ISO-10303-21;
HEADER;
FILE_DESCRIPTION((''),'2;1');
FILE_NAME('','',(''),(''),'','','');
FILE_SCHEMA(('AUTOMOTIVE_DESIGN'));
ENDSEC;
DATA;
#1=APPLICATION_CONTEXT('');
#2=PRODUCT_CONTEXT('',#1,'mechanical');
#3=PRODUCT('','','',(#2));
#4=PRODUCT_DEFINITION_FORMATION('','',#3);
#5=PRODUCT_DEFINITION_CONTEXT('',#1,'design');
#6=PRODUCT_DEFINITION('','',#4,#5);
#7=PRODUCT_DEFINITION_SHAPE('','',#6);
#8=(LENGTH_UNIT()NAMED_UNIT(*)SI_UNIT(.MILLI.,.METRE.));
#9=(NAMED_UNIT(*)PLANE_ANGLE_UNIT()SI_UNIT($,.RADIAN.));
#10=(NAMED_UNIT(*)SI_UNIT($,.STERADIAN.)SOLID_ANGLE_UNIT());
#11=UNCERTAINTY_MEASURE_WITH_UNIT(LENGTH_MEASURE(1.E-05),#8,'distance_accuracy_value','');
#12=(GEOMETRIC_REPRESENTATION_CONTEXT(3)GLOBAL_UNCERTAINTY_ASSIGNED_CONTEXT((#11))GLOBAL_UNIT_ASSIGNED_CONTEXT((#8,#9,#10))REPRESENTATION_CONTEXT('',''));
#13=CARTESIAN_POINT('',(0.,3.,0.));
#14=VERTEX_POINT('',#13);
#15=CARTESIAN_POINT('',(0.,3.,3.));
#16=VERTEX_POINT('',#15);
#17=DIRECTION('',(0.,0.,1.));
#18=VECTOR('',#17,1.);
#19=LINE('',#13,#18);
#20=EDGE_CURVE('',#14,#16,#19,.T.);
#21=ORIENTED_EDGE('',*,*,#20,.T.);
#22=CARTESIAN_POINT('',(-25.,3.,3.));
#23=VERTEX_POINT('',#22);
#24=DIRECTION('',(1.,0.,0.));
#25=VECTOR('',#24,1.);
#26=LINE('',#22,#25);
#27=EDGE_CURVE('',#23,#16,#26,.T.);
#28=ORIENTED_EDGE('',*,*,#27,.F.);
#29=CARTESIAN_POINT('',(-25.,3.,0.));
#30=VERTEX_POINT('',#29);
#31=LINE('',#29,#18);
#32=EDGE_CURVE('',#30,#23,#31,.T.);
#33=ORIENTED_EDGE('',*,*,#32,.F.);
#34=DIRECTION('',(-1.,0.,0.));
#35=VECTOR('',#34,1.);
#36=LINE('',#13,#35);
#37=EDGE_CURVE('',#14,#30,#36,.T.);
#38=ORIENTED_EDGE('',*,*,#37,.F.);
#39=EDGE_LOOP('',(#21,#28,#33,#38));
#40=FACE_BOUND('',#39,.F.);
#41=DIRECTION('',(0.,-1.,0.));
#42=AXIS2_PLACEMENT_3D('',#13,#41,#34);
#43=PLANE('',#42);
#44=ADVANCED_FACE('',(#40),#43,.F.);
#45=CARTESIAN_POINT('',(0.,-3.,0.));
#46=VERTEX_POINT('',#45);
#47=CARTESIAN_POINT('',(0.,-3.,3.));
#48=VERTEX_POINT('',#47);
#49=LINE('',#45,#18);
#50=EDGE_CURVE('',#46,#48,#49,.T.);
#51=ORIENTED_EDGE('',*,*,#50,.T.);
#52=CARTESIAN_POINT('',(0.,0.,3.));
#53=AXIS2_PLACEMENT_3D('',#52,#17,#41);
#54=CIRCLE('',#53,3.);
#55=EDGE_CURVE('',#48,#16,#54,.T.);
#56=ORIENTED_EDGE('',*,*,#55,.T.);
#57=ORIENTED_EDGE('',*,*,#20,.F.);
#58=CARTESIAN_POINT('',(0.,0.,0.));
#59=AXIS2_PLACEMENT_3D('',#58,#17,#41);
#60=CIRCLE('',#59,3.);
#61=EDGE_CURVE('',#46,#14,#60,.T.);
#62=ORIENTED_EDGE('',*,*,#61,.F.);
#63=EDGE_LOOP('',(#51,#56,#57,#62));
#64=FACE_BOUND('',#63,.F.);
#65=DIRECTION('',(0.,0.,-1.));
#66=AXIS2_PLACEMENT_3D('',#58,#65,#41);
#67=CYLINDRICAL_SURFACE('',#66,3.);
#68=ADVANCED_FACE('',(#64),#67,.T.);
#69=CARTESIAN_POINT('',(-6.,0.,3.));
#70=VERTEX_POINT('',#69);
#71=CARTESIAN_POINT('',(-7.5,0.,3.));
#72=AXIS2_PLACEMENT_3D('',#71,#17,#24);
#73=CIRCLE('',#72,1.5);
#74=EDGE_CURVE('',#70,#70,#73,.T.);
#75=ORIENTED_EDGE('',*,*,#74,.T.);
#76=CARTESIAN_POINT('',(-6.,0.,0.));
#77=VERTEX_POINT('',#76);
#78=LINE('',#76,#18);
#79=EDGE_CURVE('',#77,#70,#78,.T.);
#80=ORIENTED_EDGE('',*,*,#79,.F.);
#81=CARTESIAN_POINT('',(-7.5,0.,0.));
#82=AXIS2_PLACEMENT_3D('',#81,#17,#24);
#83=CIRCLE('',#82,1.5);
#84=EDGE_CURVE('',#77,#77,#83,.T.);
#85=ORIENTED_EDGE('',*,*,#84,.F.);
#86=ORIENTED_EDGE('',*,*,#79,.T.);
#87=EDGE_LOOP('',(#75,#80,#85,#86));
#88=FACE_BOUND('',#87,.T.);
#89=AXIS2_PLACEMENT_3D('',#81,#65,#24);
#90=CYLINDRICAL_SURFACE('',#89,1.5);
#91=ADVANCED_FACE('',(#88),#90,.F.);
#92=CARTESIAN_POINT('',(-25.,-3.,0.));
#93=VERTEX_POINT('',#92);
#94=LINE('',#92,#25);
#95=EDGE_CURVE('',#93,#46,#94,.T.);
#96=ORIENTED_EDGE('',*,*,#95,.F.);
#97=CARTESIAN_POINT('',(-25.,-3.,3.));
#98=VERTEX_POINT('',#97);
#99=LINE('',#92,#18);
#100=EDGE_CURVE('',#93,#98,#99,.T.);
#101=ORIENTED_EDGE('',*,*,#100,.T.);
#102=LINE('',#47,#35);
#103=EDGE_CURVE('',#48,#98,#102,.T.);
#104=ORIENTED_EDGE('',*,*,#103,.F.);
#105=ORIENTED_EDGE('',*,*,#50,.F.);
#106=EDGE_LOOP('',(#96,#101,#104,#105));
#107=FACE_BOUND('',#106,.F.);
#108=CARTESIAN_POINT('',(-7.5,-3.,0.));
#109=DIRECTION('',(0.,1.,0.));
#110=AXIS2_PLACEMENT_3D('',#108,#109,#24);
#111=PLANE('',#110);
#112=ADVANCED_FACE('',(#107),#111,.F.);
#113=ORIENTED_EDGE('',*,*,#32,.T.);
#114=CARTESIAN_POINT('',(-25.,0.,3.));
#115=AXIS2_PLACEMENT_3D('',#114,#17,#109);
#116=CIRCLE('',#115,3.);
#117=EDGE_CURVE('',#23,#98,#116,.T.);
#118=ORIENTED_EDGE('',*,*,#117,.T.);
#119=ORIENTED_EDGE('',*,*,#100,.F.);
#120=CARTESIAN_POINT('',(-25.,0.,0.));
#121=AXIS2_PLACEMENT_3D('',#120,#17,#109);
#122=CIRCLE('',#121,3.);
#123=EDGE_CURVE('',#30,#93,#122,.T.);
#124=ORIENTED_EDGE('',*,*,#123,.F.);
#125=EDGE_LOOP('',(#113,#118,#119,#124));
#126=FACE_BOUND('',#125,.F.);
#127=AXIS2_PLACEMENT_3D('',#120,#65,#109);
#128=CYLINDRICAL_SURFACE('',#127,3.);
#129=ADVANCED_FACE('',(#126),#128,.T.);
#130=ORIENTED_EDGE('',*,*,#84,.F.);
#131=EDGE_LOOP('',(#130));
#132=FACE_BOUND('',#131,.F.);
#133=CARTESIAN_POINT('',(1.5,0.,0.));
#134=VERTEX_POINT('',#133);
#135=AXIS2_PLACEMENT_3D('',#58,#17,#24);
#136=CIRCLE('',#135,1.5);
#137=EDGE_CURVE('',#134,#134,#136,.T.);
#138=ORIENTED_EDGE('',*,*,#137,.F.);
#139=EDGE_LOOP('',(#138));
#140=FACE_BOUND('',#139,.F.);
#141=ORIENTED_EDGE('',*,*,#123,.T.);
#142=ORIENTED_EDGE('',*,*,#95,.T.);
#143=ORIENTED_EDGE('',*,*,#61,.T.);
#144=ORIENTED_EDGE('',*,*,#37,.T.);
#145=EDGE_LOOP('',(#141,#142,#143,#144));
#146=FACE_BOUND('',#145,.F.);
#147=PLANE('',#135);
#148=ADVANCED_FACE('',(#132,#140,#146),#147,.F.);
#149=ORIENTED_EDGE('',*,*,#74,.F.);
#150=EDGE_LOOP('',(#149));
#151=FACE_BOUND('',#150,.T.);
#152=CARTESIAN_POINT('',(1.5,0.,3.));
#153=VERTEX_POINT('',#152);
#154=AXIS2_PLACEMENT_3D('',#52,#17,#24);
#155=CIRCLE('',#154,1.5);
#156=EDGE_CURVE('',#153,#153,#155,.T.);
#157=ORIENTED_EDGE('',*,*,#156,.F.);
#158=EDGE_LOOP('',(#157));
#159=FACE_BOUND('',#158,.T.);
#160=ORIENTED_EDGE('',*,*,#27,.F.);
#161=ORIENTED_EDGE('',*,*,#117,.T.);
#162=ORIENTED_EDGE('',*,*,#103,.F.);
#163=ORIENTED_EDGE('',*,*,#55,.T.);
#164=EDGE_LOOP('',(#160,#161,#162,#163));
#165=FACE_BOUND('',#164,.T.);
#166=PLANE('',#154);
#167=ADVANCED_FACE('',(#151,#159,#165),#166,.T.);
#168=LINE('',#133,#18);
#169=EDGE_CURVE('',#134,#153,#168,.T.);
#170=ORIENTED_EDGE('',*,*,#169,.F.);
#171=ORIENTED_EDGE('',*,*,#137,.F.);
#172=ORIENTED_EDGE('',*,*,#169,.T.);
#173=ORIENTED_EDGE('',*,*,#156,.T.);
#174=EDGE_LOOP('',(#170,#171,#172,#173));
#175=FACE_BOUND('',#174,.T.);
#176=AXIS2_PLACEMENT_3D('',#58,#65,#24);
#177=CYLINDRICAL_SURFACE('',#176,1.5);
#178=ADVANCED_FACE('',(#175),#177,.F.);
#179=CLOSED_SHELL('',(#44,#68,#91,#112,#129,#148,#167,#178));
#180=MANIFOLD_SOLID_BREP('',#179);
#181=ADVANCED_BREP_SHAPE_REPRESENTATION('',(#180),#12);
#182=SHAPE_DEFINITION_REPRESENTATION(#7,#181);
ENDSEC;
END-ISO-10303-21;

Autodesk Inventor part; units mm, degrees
ref_plane "YZ Plane" through (0, 0, 0) normal (1, 0, 0) x (0, 1, 0)
ref_plane "XZ Plane" through (0, 0, 0) normal (0, 1, 0) x (-1, 0, 0)
ref_plane "XY Plane" through (0, 0, 0) normal (0, 0, 1) x (1, 0, 0)
sketch "スケッチ1" plane through (0, 0, 0) normal (0, 0, 1) x (1, 0, 0)
  line L0 (0, 0) -> (-7.5, 0) construction
  line L1 (0, 3) -> (-7.5, 3)
  line L2 (-7.5, -3) -> (0, -3)
  arc A0 (0, -3) -> (0, 3) centre (0, 0) ccw
  arc A1 (-7.5, 3) -> (-7.5, -3) centre (-7.5, 0) ccw
  circle A2 centre (-7.5, 0) radius 1.5
  circle A3 centre (0, 0) radius 1.5
  line L3 (0, 0) -> (-25, 0) construction
  line L4 (0, -3) -> (-25, -3)
  line L5 (-25, 3) -> (0, 3)
  arc A4 (0, -3) -> (0, 3) centre (0, 0) ccw
  arc A5 (-25, 3) -> (-25, -3) centre (-25, 0) ccw
  circle A6 centre (-25, 0) radius 1.5
  point P0 (-3.75, 0)
  point P1 (-12.5, 0)
  dimension "d0" = 6
  dimension "d1" = 7.5
  dimension "d2" = 3
  dimension "d3" = 3
  dimension "d4" = 25
  dimension "d7" = 3
extrude "押し出し1" add sketch "スケッチ1" along normal blind 3 contours A0 L2 A1 L1 | A1 L4 A5 L5 | A6
properties part number "カウンター先端" material "ポリカーボネート、スモーク"
